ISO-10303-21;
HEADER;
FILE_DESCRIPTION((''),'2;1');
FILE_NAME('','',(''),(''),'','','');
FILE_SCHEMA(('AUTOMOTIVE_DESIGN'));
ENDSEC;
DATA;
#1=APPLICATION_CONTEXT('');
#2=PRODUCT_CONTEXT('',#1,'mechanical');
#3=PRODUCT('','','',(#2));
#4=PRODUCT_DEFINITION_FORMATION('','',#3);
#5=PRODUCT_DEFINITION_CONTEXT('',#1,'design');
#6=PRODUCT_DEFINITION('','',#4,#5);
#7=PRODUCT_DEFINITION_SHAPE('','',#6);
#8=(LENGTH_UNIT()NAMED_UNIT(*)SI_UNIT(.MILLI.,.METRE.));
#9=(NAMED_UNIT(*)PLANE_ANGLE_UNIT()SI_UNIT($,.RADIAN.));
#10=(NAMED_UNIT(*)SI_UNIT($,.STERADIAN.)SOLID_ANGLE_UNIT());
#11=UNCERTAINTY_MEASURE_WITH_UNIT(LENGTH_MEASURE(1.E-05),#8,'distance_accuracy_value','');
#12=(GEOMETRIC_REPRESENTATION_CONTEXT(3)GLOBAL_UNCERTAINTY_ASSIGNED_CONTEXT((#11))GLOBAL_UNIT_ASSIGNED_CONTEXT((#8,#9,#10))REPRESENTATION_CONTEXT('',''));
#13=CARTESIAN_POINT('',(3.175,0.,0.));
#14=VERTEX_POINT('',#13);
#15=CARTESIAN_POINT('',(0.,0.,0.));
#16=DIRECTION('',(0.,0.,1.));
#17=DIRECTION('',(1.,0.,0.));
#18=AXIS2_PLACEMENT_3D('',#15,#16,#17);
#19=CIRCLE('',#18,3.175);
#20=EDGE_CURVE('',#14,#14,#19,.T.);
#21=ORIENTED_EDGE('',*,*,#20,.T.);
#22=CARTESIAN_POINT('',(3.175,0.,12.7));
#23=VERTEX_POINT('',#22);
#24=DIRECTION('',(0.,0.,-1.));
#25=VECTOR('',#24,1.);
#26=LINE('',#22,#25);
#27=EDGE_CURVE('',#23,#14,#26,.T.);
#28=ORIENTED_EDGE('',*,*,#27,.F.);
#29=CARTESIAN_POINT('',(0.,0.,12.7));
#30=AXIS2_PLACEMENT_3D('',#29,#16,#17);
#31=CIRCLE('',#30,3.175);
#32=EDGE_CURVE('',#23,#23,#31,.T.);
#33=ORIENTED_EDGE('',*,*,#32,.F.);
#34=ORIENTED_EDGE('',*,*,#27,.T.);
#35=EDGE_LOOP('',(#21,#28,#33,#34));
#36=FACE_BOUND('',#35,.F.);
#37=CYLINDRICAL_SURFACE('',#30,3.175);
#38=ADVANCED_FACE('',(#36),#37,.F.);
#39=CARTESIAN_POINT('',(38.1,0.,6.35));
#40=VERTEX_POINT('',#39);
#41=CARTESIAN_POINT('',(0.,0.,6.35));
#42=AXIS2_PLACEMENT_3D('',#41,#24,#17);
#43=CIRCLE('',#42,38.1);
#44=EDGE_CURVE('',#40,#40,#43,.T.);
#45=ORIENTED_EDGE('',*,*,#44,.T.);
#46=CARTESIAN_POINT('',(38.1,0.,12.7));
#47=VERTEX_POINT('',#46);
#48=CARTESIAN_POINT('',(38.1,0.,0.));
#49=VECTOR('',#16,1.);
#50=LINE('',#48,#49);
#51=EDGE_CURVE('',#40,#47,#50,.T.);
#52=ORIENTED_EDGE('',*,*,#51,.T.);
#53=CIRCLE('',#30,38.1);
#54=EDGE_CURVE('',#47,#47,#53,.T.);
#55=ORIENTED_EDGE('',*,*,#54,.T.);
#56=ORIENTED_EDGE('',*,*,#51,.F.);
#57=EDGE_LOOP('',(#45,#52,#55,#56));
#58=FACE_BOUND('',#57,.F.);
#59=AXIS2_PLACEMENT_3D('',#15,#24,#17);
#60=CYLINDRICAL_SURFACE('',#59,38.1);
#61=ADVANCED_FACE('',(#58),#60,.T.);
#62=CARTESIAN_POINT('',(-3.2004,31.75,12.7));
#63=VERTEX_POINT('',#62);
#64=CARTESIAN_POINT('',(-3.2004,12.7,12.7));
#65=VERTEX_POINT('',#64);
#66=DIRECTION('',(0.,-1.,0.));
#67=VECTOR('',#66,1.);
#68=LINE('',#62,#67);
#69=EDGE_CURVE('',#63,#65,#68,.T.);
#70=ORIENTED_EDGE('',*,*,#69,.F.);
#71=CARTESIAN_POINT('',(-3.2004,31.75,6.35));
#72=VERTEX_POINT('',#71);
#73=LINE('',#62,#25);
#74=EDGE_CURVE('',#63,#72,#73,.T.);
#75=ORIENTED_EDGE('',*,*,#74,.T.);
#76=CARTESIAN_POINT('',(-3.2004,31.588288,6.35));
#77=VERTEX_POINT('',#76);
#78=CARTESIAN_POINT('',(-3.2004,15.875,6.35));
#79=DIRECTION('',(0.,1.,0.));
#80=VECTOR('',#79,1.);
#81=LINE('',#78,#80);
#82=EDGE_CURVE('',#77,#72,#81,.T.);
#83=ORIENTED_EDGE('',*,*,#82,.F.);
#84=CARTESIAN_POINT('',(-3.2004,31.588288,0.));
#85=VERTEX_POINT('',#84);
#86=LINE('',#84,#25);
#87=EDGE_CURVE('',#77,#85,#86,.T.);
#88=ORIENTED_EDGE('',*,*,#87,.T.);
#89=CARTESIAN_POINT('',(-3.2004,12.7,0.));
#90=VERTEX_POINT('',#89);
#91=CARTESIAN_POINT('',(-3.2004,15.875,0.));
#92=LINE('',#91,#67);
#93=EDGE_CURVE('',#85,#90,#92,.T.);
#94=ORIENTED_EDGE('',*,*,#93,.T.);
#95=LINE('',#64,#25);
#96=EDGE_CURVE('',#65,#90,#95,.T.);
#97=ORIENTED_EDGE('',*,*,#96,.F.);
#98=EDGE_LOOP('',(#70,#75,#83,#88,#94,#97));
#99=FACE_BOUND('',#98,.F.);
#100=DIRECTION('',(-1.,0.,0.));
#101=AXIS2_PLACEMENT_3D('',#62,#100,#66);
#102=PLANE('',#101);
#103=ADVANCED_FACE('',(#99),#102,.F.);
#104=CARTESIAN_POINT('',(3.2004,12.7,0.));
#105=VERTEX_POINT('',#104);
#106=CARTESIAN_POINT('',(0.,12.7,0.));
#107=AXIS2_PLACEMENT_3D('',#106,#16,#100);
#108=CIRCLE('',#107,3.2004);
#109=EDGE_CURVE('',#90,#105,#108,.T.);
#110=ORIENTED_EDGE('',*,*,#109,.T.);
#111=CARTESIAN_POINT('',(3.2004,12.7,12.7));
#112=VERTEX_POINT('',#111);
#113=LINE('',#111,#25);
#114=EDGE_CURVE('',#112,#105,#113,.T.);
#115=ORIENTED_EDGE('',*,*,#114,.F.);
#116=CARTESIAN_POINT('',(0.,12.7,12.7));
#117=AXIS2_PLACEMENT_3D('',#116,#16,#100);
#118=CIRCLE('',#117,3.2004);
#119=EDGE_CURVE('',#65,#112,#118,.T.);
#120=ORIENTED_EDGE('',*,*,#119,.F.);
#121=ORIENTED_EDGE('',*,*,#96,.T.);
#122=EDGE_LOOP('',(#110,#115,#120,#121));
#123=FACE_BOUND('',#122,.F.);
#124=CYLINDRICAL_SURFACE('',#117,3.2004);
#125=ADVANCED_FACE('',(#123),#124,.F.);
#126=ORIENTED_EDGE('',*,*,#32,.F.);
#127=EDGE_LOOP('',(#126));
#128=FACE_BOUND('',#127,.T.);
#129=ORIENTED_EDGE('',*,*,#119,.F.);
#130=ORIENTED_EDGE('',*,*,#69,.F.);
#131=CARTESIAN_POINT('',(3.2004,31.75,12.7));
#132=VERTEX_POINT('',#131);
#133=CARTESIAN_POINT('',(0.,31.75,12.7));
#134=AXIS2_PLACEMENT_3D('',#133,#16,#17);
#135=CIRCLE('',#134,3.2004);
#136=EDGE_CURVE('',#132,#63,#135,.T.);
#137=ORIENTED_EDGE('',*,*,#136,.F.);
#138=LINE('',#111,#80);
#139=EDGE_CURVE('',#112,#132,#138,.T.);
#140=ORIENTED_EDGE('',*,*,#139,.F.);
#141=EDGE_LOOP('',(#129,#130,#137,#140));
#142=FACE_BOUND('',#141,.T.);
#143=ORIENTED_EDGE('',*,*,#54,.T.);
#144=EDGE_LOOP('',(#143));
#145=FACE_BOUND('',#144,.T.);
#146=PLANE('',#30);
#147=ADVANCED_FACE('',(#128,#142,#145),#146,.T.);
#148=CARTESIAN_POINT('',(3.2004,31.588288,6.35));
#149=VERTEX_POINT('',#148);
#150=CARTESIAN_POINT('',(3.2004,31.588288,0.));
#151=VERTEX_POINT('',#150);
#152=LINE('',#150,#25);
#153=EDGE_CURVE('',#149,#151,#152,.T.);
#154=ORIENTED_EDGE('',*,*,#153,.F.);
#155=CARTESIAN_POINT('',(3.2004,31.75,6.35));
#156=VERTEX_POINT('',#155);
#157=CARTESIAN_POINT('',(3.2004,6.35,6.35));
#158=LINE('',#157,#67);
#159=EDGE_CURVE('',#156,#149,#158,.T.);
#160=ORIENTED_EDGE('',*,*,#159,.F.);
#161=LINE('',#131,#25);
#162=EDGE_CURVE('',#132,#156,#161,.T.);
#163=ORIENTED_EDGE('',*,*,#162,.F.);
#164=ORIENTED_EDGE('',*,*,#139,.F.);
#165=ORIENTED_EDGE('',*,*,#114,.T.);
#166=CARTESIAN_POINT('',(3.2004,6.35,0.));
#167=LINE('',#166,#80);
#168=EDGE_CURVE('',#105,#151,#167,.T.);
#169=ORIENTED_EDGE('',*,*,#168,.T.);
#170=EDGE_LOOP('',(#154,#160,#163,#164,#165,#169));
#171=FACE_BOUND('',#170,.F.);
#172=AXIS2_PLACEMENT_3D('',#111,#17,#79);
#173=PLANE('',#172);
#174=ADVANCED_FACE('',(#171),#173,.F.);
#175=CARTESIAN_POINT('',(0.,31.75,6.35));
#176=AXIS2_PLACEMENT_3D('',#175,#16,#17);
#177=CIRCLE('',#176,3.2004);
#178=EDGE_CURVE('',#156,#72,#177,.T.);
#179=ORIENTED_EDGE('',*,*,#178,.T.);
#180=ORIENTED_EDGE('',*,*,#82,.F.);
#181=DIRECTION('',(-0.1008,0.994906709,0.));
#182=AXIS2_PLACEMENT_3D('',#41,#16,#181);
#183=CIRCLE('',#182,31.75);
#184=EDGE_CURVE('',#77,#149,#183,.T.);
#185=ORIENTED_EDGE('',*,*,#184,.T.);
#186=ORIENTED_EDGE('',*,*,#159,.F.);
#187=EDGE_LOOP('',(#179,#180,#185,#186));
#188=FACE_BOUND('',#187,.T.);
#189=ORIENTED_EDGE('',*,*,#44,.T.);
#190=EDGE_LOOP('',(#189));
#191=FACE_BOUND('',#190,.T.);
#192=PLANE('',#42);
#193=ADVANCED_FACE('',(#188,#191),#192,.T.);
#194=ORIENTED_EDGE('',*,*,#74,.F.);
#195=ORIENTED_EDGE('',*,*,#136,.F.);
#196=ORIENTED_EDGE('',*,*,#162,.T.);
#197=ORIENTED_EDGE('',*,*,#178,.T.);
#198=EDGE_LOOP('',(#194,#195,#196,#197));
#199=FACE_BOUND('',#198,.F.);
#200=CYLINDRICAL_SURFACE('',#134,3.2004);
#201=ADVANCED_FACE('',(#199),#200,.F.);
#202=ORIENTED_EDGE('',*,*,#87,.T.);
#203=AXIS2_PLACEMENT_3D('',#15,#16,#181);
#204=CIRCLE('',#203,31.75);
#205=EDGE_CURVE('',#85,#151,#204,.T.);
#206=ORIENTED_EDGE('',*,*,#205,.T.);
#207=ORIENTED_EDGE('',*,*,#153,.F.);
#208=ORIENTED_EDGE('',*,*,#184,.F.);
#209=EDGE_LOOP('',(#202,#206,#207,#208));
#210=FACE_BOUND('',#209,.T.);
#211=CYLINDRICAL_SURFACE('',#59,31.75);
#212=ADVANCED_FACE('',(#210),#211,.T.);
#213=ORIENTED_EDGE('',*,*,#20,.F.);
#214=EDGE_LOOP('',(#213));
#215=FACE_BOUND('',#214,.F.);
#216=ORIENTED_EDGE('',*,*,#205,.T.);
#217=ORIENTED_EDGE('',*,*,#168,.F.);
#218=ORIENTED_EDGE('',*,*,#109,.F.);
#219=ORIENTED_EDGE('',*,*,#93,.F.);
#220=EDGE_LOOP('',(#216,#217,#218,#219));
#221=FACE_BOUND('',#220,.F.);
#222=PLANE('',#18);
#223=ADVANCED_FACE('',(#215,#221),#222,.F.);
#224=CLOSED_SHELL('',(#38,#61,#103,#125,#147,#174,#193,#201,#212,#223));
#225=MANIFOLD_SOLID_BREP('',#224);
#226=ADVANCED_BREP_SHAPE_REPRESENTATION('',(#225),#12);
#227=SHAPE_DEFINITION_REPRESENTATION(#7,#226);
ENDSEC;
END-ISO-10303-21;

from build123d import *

# Parameters (mm, degrees)
F0_R     = 38.1
F1_DEPTH = 12.7
F2_R     = 38.1
F2_R_2   = 31.75
F3_DEPTH = 6.35
F4_R     = 3.175
F5_DEPTH = 12.701
F7_DEPTH = 12.701


with BuildPart() as f1:
    # F0 (on Top) → F1 (new body)
    with BuildSketch(Plane.XY):
        Circle(F0_R)
    extrude(amount=F1_DEPTH)

    # F2 (on face) → F3 (cut)
    with BuildSketch(Plane(origin=(0, 0, 0), x_dir=(1, 0, 0), z_dir=(0, 0, -1))):
        Circle(F2_R)
        Circle(F2_R_2, mode=Mode.SUBTRACT)
    extrude(amount=-F3_DEPTH, mode=Mode.SUBTRACT)

    # F4 (on face) → F5 (cut, through all)
    with BuildSketch(Plane.XY.offset(12.7)):
        Circle(F4_R)
    extrude(amount=-F5_DEPTH, mode=Mode.SUBTRACT)

    # F6 (on face) → F7 (cut, through all)
    with BuildSketch(Plane.XY.offset(12.7)):
        with BuildLine():
            Line((-3.2004, 31.75), (-3.2004, 12.7))
            ThreePointArc((-3.2004, 12.7), (0, 9.4996), (3.2004, 12.7))
            Line((3.2004, 12.7), (3.2004, 31.75))
            ThreePointArc((3.2004, 31.75), (0, 34.9504), (-3.2004, 31.75))
        make_face()
    extrude(amount=-F7_DEPTH, mode=Mode.SUBTRACT)


solid = f1.part
